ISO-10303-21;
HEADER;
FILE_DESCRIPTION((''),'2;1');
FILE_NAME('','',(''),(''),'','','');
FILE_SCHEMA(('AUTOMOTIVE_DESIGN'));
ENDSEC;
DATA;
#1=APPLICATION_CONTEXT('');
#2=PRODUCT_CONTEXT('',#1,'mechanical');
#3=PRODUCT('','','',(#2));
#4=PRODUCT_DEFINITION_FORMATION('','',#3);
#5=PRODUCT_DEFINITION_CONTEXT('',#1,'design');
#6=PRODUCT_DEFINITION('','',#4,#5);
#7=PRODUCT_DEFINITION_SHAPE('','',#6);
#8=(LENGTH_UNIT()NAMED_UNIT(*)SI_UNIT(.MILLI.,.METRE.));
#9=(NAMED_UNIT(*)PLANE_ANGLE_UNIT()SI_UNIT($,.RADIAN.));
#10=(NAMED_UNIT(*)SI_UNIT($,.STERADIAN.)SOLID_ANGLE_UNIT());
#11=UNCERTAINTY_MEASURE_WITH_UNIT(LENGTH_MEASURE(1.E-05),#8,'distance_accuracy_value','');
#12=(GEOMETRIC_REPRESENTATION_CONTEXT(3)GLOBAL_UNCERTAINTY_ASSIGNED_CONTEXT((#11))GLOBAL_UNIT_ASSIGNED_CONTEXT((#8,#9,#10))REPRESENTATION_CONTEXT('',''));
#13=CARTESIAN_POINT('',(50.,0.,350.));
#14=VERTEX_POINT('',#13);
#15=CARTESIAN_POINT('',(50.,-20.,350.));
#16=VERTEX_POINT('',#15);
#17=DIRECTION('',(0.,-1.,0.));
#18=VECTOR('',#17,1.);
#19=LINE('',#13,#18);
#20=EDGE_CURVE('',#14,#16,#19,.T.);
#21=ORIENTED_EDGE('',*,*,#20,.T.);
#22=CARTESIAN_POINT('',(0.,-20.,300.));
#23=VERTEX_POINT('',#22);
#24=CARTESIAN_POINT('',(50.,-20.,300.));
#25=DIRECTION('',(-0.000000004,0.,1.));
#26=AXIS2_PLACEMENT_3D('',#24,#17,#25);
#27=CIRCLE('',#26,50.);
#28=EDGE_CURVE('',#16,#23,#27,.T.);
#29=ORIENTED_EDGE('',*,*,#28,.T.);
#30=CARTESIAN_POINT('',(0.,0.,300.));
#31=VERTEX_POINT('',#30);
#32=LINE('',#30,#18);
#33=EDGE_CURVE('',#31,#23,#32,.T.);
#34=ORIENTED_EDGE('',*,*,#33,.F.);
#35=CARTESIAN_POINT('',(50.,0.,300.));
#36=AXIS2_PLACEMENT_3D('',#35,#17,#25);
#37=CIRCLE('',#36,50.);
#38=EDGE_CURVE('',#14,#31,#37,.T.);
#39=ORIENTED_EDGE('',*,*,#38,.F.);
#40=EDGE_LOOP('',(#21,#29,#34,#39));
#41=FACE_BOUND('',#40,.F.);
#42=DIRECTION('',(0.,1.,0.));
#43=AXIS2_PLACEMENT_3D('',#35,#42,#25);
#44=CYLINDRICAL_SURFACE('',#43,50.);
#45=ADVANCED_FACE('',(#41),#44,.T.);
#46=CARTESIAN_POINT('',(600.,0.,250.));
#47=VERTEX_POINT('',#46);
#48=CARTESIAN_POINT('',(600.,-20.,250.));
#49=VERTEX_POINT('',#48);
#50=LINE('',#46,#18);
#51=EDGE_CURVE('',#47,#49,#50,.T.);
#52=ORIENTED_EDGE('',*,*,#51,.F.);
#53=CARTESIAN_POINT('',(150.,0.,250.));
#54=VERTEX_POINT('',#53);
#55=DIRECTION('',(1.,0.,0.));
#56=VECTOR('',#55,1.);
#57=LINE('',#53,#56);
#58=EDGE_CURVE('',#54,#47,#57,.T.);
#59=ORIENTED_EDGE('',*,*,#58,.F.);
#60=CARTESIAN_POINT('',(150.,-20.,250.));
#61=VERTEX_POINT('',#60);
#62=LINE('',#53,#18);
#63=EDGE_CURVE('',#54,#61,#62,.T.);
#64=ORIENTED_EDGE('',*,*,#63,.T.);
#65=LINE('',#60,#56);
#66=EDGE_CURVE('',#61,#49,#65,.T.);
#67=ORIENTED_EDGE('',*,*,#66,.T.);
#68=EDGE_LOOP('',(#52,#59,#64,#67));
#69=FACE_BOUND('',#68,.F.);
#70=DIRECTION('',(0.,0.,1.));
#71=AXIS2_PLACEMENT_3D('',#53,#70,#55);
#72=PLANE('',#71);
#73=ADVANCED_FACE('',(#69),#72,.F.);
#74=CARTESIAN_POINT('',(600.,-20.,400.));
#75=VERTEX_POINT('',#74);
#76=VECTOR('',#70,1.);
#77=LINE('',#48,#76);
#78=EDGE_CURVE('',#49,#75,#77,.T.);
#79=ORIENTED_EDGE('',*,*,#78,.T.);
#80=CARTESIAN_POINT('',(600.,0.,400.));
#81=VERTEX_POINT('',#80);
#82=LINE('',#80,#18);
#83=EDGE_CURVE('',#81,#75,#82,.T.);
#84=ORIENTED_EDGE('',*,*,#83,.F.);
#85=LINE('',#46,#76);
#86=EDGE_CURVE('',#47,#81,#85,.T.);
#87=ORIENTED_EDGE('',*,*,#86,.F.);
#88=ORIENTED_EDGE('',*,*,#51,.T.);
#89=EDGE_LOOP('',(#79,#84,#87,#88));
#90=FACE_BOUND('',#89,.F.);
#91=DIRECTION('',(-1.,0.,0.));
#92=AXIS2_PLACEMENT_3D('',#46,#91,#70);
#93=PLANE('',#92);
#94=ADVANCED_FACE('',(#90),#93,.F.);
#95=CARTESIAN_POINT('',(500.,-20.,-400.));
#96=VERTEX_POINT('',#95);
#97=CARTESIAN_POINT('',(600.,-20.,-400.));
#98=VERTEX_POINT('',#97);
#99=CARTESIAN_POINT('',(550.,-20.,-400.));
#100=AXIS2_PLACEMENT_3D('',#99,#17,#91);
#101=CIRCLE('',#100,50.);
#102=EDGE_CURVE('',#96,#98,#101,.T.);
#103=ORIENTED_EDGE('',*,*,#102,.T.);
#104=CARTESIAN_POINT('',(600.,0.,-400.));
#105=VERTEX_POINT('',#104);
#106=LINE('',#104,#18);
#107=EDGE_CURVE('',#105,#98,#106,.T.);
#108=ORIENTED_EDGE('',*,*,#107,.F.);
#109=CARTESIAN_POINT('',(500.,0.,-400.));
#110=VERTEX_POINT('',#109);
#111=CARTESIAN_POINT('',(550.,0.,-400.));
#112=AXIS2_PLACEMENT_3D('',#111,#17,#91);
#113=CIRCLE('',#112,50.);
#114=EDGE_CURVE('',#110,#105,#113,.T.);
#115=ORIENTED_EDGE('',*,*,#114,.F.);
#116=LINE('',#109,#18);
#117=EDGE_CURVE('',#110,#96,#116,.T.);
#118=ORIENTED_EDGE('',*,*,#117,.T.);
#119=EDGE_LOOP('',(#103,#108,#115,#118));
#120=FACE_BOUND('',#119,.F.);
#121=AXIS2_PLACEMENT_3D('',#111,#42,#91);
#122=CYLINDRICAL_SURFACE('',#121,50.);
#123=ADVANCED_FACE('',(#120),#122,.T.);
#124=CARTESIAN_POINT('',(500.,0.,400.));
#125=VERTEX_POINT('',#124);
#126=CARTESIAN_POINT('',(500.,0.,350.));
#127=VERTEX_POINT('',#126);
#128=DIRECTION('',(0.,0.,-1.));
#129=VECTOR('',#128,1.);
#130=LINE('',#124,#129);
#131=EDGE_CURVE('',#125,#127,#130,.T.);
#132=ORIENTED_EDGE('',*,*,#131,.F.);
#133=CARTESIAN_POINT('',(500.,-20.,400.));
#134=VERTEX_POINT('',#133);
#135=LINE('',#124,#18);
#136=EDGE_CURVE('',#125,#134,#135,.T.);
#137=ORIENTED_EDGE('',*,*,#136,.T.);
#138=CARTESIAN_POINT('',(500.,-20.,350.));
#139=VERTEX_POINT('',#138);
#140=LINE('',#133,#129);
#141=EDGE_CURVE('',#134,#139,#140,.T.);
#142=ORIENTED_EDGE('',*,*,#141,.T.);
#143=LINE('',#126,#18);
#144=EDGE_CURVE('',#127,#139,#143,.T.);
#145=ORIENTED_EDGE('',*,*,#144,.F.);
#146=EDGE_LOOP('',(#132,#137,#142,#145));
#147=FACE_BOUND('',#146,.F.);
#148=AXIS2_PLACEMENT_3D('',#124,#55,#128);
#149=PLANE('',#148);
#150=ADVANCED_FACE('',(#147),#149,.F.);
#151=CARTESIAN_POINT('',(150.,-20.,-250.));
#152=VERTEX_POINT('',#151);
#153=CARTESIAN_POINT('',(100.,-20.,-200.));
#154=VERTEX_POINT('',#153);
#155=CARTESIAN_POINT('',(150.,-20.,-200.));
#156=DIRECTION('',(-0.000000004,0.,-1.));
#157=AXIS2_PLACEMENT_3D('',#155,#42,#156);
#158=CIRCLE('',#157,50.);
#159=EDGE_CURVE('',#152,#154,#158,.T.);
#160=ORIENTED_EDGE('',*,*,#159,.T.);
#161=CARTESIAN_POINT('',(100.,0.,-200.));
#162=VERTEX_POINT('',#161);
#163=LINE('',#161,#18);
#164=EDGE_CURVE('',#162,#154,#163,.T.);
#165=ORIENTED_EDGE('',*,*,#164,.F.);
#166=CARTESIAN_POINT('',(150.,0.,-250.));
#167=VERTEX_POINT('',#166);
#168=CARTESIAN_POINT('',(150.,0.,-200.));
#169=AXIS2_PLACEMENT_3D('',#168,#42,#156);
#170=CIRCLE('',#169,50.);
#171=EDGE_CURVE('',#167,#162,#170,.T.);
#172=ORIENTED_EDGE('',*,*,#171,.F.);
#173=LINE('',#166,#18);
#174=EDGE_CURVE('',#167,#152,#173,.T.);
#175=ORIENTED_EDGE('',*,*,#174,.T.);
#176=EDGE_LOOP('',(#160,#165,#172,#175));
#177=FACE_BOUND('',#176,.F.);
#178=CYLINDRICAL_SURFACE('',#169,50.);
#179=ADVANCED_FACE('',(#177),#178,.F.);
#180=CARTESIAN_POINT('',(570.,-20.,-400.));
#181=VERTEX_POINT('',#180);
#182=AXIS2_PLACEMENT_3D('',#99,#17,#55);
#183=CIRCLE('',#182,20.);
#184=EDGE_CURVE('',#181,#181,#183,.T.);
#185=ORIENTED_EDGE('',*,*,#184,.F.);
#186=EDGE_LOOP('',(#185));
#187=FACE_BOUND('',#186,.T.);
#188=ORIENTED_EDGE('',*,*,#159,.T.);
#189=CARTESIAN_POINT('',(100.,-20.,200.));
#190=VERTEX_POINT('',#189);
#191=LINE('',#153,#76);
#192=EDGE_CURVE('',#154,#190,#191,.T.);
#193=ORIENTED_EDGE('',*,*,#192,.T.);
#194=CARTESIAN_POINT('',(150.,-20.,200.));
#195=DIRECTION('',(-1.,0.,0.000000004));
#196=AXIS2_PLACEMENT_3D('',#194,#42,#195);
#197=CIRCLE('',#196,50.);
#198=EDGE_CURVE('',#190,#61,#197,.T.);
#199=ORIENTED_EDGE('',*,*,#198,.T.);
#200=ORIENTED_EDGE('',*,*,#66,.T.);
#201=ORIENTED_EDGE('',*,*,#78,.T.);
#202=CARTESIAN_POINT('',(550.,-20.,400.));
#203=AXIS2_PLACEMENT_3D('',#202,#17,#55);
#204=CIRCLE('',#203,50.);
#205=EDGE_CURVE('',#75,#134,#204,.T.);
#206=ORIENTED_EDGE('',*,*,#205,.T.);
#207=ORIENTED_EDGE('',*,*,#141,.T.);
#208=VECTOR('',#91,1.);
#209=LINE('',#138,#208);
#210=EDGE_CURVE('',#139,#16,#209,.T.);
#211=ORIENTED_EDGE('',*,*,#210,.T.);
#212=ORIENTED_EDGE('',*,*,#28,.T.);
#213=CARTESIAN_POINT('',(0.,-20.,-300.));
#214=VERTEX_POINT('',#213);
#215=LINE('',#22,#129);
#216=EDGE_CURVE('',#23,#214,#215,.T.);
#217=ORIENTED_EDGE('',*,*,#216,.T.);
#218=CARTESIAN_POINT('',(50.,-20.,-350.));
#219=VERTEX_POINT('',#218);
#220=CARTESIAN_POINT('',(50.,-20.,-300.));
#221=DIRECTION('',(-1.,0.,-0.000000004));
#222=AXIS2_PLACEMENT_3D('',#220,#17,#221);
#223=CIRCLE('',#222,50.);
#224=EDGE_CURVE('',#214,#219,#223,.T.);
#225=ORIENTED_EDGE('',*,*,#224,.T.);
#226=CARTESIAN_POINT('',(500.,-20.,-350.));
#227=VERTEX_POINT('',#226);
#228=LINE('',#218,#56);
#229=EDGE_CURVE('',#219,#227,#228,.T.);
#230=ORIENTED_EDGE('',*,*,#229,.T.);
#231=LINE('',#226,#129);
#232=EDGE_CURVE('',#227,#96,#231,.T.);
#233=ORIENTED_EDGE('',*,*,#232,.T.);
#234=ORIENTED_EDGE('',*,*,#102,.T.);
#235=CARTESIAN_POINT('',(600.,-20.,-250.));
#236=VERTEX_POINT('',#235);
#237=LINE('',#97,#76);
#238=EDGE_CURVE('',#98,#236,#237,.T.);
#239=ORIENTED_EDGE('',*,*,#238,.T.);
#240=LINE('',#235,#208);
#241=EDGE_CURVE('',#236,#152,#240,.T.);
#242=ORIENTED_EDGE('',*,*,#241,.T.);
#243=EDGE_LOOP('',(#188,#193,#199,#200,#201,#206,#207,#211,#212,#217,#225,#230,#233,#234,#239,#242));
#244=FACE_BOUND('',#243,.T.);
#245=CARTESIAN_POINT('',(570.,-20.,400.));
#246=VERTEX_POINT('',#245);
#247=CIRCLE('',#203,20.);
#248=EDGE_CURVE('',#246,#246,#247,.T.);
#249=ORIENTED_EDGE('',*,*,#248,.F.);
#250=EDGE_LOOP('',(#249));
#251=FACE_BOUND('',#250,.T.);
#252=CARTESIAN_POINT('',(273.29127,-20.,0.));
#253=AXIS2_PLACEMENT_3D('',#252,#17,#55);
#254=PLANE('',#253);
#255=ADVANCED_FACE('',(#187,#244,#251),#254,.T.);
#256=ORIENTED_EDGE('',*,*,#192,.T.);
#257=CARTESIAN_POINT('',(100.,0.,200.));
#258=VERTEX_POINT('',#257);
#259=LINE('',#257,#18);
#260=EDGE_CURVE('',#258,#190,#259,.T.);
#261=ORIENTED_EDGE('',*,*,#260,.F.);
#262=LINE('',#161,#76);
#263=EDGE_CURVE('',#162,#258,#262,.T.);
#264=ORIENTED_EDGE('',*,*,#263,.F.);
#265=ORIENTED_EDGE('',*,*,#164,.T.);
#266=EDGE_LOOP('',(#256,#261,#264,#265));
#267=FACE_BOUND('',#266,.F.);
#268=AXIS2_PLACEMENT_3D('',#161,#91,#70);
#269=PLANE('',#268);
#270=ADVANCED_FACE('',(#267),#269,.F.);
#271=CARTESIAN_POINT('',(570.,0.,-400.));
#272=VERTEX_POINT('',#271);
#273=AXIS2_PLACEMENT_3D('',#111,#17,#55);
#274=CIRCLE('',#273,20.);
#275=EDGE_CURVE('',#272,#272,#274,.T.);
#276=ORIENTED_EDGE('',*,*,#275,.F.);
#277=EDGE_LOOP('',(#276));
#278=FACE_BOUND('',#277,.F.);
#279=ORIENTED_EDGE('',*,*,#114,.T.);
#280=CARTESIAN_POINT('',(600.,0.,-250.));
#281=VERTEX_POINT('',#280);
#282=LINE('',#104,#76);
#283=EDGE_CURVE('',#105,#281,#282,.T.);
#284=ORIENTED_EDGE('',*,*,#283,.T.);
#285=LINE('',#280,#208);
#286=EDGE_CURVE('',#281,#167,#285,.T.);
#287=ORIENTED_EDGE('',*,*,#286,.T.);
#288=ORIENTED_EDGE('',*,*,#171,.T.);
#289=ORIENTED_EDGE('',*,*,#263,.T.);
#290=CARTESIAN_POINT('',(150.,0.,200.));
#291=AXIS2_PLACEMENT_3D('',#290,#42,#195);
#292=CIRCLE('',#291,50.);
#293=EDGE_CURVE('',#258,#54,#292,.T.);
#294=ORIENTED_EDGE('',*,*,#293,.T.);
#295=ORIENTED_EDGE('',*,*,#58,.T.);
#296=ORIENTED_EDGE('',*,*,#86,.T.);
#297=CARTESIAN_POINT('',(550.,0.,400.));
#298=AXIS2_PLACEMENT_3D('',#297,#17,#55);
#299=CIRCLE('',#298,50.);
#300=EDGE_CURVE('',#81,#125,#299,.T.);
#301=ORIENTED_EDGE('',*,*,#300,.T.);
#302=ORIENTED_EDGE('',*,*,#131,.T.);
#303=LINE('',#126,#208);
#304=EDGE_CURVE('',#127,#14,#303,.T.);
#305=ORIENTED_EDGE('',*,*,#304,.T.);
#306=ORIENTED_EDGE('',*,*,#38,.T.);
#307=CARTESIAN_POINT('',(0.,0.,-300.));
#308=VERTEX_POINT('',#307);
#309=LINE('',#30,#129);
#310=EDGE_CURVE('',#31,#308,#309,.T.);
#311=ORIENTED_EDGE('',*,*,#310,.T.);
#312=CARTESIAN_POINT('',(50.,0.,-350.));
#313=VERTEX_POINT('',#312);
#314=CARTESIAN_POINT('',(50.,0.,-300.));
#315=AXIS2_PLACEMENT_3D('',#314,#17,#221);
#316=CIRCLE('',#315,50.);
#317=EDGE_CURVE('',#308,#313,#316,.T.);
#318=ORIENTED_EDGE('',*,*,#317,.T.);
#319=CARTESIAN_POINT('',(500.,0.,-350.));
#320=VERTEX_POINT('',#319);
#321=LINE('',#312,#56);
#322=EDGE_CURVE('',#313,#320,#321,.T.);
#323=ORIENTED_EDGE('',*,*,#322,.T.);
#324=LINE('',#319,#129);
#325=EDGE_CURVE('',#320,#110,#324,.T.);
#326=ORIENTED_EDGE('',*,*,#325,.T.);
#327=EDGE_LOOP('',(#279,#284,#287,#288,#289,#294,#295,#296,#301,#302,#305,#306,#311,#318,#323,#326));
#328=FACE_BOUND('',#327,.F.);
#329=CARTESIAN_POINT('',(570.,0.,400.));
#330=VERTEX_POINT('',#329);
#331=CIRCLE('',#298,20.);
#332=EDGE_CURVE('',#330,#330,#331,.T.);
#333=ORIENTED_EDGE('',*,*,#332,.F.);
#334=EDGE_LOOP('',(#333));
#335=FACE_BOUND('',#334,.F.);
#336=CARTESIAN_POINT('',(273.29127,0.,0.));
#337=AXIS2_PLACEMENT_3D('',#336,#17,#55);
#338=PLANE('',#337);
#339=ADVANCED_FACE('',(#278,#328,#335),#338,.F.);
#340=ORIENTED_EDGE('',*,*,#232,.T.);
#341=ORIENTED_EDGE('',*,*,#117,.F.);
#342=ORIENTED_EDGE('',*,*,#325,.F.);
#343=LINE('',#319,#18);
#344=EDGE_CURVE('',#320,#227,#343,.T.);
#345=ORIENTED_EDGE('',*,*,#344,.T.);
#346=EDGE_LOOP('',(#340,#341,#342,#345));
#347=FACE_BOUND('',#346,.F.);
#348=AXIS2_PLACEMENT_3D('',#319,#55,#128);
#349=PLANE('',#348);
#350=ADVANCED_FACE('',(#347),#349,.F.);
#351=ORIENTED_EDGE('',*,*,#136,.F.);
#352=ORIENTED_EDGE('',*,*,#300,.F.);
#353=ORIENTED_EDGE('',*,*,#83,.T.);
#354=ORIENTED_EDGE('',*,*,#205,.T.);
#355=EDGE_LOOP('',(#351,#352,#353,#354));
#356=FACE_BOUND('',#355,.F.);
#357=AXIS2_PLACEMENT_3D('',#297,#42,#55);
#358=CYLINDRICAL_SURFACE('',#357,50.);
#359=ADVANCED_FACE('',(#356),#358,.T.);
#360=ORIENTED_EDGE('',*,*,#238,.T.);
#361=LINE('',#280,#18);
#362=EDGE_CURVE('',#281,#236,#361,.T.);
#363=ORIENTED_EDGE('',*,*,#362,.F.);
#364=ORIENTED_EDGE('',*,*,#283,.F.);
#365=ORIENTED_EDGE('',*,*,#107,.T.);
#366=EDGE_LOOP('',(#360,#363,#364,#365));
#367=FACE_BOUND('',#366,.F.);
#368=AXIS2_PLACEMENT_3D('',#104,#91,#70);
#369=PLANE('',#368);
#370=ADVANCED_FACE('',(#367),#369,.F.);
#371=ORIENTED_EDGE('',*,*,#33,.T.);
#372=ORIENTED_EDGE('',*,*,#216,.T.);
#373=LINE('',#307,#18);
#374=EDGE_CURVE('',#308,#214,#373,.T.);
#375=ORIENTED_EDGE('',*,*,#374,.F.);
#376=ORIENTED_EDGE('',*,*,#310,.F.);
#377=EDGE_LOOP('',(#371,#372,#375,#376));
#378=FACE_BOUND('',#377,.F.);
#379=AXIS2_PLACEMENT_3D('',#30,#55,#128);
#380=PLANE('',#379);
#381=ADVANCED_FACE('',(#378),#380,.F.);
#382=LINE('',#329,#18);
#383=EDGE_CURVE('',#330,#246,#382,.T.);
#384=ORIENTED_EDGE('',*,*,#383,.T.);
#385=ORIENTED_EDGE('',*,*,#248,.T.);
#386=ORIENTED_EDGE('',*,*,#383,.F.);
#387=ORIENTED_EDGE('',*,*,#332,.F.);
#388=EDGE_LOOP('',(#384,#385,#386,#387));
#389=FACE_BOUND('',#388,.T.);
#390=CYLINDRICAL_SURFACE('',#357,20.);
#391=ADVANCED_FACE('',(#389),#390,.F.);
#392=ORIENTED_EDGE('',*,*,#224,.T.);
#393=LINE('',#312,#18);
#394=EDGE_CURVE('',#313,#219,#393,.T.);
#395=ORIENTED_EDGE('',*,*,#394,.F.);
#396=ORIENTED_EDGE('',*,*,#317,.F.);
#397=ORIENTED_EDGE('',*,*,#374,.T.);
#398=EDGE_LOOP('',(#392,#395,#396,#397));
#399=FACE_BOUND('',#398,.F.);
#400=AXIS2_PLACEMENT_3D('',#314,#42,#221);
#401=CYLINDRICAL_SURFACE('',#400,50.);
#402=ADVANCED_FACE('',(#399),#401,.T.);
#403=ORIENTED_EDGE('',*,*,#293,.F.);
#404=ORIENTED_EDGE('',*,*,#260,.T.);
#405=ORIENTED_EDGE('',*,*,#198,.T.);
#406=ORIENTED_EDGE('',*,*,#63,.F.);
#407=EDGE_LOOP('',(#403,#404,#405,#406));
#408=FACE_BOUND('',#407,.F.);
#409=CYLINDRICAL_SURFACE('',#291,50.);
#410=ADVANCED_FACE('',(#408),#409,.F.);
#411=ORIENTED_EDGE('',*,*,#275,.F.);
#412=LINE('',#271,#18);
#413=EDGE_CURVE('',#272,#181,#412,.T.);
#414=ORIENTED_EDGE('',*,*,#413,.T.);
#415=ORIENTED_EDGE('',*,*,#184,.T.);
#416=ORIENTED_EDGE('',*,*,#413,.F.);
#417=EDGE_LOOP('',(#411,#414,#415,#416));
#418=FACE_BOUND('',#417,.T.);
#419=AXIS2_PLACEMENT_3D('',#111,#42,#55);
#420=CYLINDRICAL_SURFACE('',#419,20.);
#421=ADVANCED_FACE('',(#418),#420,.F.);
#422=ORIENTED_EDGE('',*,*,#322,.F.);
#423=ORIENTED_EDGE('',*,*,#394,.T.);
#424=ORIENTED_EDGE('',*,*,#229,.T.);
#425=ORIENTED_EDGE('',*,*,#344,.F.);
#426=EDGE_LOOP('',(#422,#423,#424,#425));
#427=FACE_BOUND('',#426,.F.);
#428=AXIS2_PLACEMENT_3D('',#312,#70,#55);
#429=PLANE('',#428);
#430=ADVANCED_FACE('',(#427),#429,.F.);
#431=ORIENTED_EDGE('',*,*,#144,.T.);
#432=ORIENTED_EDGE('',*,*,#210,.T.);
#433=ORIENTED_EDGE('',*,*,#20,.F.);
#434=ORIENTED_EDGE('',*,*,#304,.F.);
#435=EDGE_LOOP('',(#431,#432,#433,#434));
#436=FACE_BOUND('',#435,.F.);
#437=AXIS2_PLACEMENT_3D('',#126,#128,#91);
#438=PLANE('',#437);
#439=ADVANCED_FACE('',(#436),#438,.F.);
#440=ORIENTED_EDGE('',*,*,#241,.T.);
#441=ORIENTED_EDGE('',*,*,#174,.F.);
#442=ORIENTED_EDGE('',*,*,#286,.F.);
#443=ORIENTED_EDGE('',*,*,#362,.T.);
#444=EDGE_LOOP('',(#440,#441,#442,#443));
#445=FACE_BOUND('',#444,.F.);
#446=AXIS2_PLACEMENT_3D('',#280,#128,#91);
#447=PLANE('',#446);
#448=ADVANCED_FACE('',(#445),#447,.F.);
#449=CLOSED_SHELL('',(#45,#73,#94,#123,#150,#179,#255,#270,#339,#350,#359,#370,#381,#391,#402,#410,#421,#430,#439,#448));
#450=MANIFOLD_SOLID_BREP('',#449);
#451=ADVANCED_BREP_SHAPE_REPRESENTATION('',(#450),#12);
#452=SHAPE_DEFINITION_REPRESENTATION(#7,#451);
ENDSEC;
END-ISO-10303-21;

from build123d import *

# Parameters (mm, degrees)
F0_R     = 20
F1_DEPTH = 20


with BuildPart() as f1:
    # F0 (on Front) → F1 (new body)
    with BuildSketch(Plane.XZ):
        with BuildLine():
            Line((0, 300), (0, 0))
            Line((0, 0), (0, -300))
            ThreePointArc((0, -300), (14.644661, -335.355339), (50, -350))
            Line((50, -350), (500, -350))
            Line((500, -350), (500, -400))
            ThreePointArc((500, -400), (550, -450), (600, -400))
            Line((600, -400), (600, -250))
            Line((600, -250), (150, -250))
            ThreePointArc((150, -250), (114.644661, -235.355339), (100, -200))
            Line((100, -200), (100, 0))
            Line((100, 0), (100, 200))
            ThreePointArc((100, 200), (114.644661, 235.355339), (150, 250))
            Line((150, 250), (600, 250))
            Line((600, 250), (600, 400))
            ThreePointArc((600, 400), (550, 450), (500, 400))
            Line((500, 400), (500, 350))
            Line((500, 350), (50, 350))
            ThreePointArc((50, 350), (14.644661, 335.355339), (0, 300))
        make_face()
        with Locations((550, -400)):
            Circle(F0_R, mode=Mode.SUBTRACT)
        with Locations((550, 400)):
            Circle(F0_R, mode=Mode.SUBTRACT)
    extrude(amount=F1_DEPTH)


solid = f1.part
